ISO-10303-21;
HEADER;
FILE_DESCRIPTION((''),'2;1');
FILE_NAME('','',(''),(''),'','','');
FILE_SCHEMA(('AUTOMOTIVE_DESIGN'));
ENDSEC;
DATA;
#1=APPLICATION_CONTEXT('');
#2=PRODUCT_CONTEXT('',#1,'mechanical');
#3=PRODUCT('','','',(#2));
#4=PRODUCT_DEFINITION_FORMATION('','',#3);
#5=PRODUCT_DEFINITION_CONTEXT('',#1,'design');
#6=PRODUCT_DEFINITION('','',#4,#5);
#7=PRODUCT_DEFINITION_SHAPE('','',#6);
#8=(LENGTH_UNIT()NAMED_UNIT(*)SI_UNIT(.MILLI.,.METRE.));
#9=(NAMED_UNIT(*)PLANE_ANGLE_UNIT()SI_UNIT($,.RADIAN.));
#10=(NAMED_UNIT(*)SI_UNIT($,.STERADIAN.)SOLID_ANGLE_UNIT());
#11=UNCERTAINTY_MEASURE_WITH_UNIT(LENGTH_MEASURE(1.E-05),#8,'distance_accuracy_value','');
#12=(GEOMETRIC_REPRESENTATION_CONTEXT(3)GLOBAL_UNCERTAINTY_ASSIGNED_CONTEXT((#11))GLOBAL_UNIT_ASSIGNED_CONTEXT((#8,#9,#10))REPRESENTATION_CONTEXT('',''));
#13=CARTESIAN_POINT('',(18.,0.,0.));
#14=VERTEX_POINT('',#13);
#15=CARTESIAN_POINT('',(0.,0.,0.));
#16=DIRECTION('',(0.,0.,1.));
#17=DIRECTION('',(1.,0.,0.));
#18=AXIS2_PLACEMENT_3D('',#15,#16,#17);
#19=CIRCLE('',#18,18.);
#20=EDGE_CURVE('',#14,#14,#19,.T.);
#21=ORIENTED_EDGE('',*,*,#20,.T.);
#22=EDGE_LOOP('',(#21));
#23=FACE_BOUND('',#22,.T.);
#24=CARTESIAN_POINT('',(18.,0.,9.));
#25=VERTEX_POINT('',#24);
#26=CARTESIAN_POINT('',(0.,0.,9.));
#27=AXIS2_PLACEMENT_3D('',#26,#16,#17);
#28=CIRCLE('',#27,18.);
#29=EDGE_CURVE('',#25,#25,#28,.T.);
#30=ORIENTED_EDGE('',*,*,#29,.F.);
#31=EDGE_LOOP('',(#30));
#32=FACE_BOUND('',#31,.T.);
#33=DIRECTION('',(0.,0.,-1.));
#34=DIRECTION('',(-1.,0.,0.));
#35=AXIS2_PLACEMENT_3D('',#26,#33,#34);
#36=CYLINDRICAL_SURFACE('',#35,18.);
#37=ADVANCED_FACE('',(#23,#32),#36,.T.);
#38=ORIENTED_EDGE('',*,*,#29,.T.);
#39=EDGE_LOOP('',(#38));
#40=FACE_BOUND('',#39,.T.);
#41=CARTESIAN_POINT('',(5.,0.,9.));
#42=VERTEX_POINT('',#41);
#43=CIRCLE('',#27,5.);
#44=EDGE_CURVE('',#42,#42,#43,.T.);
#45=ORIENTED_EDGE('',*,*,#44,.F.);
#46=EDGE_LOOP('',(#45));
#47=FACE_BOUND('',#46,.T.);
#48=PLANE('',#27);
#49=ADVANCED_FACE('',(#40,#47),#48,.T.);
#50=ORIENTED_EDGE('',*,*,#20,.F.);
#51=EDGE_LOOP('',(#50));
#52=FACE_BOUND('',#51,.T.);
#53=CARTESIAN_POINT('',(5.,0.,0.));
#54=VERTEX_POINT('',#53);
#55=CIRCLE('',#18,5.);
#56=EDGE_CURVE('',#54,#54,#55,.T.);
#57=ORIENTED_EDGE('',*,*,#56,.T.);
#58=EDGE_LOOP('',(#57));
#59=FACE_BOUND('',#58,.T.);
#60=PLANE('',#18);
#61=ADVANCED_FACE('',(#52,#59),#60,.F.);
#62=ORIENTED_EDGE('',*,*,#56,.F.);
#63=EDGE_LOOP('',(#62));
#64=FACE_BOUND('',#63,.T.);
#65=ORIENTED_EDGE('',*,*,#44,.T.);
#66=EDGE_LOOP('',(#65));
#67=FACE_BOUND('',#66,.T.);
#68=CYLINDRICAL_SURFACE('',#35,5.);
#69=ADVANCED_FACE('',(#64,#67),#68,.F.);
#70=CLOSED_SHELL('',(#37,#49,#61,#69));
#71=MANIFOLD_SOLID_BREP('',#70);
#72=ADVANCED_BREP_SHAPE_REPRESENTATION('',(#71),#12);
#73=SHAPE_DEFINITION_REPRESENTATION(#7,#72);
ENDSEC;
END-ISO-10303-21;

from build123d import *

# Parameters (mm, degrees)
ESQUISSE1_R          = 18
ESQUISSE1_R_2        = 5
BASE_EXTRUSION_DEPTH = 9


with BuildPart() as part:
    # Esquisse1 → Base-Extrusion (new body)
    with BuildSketch(Plane.XY):
        Circle(ESQUISSE1_R)
        Circle(ESQUISSE1_R_2, mode=Mode.SUBTRACT)
    extrude(amount=BASE_EXTRUSION_DEPTH)


solid = part.part
